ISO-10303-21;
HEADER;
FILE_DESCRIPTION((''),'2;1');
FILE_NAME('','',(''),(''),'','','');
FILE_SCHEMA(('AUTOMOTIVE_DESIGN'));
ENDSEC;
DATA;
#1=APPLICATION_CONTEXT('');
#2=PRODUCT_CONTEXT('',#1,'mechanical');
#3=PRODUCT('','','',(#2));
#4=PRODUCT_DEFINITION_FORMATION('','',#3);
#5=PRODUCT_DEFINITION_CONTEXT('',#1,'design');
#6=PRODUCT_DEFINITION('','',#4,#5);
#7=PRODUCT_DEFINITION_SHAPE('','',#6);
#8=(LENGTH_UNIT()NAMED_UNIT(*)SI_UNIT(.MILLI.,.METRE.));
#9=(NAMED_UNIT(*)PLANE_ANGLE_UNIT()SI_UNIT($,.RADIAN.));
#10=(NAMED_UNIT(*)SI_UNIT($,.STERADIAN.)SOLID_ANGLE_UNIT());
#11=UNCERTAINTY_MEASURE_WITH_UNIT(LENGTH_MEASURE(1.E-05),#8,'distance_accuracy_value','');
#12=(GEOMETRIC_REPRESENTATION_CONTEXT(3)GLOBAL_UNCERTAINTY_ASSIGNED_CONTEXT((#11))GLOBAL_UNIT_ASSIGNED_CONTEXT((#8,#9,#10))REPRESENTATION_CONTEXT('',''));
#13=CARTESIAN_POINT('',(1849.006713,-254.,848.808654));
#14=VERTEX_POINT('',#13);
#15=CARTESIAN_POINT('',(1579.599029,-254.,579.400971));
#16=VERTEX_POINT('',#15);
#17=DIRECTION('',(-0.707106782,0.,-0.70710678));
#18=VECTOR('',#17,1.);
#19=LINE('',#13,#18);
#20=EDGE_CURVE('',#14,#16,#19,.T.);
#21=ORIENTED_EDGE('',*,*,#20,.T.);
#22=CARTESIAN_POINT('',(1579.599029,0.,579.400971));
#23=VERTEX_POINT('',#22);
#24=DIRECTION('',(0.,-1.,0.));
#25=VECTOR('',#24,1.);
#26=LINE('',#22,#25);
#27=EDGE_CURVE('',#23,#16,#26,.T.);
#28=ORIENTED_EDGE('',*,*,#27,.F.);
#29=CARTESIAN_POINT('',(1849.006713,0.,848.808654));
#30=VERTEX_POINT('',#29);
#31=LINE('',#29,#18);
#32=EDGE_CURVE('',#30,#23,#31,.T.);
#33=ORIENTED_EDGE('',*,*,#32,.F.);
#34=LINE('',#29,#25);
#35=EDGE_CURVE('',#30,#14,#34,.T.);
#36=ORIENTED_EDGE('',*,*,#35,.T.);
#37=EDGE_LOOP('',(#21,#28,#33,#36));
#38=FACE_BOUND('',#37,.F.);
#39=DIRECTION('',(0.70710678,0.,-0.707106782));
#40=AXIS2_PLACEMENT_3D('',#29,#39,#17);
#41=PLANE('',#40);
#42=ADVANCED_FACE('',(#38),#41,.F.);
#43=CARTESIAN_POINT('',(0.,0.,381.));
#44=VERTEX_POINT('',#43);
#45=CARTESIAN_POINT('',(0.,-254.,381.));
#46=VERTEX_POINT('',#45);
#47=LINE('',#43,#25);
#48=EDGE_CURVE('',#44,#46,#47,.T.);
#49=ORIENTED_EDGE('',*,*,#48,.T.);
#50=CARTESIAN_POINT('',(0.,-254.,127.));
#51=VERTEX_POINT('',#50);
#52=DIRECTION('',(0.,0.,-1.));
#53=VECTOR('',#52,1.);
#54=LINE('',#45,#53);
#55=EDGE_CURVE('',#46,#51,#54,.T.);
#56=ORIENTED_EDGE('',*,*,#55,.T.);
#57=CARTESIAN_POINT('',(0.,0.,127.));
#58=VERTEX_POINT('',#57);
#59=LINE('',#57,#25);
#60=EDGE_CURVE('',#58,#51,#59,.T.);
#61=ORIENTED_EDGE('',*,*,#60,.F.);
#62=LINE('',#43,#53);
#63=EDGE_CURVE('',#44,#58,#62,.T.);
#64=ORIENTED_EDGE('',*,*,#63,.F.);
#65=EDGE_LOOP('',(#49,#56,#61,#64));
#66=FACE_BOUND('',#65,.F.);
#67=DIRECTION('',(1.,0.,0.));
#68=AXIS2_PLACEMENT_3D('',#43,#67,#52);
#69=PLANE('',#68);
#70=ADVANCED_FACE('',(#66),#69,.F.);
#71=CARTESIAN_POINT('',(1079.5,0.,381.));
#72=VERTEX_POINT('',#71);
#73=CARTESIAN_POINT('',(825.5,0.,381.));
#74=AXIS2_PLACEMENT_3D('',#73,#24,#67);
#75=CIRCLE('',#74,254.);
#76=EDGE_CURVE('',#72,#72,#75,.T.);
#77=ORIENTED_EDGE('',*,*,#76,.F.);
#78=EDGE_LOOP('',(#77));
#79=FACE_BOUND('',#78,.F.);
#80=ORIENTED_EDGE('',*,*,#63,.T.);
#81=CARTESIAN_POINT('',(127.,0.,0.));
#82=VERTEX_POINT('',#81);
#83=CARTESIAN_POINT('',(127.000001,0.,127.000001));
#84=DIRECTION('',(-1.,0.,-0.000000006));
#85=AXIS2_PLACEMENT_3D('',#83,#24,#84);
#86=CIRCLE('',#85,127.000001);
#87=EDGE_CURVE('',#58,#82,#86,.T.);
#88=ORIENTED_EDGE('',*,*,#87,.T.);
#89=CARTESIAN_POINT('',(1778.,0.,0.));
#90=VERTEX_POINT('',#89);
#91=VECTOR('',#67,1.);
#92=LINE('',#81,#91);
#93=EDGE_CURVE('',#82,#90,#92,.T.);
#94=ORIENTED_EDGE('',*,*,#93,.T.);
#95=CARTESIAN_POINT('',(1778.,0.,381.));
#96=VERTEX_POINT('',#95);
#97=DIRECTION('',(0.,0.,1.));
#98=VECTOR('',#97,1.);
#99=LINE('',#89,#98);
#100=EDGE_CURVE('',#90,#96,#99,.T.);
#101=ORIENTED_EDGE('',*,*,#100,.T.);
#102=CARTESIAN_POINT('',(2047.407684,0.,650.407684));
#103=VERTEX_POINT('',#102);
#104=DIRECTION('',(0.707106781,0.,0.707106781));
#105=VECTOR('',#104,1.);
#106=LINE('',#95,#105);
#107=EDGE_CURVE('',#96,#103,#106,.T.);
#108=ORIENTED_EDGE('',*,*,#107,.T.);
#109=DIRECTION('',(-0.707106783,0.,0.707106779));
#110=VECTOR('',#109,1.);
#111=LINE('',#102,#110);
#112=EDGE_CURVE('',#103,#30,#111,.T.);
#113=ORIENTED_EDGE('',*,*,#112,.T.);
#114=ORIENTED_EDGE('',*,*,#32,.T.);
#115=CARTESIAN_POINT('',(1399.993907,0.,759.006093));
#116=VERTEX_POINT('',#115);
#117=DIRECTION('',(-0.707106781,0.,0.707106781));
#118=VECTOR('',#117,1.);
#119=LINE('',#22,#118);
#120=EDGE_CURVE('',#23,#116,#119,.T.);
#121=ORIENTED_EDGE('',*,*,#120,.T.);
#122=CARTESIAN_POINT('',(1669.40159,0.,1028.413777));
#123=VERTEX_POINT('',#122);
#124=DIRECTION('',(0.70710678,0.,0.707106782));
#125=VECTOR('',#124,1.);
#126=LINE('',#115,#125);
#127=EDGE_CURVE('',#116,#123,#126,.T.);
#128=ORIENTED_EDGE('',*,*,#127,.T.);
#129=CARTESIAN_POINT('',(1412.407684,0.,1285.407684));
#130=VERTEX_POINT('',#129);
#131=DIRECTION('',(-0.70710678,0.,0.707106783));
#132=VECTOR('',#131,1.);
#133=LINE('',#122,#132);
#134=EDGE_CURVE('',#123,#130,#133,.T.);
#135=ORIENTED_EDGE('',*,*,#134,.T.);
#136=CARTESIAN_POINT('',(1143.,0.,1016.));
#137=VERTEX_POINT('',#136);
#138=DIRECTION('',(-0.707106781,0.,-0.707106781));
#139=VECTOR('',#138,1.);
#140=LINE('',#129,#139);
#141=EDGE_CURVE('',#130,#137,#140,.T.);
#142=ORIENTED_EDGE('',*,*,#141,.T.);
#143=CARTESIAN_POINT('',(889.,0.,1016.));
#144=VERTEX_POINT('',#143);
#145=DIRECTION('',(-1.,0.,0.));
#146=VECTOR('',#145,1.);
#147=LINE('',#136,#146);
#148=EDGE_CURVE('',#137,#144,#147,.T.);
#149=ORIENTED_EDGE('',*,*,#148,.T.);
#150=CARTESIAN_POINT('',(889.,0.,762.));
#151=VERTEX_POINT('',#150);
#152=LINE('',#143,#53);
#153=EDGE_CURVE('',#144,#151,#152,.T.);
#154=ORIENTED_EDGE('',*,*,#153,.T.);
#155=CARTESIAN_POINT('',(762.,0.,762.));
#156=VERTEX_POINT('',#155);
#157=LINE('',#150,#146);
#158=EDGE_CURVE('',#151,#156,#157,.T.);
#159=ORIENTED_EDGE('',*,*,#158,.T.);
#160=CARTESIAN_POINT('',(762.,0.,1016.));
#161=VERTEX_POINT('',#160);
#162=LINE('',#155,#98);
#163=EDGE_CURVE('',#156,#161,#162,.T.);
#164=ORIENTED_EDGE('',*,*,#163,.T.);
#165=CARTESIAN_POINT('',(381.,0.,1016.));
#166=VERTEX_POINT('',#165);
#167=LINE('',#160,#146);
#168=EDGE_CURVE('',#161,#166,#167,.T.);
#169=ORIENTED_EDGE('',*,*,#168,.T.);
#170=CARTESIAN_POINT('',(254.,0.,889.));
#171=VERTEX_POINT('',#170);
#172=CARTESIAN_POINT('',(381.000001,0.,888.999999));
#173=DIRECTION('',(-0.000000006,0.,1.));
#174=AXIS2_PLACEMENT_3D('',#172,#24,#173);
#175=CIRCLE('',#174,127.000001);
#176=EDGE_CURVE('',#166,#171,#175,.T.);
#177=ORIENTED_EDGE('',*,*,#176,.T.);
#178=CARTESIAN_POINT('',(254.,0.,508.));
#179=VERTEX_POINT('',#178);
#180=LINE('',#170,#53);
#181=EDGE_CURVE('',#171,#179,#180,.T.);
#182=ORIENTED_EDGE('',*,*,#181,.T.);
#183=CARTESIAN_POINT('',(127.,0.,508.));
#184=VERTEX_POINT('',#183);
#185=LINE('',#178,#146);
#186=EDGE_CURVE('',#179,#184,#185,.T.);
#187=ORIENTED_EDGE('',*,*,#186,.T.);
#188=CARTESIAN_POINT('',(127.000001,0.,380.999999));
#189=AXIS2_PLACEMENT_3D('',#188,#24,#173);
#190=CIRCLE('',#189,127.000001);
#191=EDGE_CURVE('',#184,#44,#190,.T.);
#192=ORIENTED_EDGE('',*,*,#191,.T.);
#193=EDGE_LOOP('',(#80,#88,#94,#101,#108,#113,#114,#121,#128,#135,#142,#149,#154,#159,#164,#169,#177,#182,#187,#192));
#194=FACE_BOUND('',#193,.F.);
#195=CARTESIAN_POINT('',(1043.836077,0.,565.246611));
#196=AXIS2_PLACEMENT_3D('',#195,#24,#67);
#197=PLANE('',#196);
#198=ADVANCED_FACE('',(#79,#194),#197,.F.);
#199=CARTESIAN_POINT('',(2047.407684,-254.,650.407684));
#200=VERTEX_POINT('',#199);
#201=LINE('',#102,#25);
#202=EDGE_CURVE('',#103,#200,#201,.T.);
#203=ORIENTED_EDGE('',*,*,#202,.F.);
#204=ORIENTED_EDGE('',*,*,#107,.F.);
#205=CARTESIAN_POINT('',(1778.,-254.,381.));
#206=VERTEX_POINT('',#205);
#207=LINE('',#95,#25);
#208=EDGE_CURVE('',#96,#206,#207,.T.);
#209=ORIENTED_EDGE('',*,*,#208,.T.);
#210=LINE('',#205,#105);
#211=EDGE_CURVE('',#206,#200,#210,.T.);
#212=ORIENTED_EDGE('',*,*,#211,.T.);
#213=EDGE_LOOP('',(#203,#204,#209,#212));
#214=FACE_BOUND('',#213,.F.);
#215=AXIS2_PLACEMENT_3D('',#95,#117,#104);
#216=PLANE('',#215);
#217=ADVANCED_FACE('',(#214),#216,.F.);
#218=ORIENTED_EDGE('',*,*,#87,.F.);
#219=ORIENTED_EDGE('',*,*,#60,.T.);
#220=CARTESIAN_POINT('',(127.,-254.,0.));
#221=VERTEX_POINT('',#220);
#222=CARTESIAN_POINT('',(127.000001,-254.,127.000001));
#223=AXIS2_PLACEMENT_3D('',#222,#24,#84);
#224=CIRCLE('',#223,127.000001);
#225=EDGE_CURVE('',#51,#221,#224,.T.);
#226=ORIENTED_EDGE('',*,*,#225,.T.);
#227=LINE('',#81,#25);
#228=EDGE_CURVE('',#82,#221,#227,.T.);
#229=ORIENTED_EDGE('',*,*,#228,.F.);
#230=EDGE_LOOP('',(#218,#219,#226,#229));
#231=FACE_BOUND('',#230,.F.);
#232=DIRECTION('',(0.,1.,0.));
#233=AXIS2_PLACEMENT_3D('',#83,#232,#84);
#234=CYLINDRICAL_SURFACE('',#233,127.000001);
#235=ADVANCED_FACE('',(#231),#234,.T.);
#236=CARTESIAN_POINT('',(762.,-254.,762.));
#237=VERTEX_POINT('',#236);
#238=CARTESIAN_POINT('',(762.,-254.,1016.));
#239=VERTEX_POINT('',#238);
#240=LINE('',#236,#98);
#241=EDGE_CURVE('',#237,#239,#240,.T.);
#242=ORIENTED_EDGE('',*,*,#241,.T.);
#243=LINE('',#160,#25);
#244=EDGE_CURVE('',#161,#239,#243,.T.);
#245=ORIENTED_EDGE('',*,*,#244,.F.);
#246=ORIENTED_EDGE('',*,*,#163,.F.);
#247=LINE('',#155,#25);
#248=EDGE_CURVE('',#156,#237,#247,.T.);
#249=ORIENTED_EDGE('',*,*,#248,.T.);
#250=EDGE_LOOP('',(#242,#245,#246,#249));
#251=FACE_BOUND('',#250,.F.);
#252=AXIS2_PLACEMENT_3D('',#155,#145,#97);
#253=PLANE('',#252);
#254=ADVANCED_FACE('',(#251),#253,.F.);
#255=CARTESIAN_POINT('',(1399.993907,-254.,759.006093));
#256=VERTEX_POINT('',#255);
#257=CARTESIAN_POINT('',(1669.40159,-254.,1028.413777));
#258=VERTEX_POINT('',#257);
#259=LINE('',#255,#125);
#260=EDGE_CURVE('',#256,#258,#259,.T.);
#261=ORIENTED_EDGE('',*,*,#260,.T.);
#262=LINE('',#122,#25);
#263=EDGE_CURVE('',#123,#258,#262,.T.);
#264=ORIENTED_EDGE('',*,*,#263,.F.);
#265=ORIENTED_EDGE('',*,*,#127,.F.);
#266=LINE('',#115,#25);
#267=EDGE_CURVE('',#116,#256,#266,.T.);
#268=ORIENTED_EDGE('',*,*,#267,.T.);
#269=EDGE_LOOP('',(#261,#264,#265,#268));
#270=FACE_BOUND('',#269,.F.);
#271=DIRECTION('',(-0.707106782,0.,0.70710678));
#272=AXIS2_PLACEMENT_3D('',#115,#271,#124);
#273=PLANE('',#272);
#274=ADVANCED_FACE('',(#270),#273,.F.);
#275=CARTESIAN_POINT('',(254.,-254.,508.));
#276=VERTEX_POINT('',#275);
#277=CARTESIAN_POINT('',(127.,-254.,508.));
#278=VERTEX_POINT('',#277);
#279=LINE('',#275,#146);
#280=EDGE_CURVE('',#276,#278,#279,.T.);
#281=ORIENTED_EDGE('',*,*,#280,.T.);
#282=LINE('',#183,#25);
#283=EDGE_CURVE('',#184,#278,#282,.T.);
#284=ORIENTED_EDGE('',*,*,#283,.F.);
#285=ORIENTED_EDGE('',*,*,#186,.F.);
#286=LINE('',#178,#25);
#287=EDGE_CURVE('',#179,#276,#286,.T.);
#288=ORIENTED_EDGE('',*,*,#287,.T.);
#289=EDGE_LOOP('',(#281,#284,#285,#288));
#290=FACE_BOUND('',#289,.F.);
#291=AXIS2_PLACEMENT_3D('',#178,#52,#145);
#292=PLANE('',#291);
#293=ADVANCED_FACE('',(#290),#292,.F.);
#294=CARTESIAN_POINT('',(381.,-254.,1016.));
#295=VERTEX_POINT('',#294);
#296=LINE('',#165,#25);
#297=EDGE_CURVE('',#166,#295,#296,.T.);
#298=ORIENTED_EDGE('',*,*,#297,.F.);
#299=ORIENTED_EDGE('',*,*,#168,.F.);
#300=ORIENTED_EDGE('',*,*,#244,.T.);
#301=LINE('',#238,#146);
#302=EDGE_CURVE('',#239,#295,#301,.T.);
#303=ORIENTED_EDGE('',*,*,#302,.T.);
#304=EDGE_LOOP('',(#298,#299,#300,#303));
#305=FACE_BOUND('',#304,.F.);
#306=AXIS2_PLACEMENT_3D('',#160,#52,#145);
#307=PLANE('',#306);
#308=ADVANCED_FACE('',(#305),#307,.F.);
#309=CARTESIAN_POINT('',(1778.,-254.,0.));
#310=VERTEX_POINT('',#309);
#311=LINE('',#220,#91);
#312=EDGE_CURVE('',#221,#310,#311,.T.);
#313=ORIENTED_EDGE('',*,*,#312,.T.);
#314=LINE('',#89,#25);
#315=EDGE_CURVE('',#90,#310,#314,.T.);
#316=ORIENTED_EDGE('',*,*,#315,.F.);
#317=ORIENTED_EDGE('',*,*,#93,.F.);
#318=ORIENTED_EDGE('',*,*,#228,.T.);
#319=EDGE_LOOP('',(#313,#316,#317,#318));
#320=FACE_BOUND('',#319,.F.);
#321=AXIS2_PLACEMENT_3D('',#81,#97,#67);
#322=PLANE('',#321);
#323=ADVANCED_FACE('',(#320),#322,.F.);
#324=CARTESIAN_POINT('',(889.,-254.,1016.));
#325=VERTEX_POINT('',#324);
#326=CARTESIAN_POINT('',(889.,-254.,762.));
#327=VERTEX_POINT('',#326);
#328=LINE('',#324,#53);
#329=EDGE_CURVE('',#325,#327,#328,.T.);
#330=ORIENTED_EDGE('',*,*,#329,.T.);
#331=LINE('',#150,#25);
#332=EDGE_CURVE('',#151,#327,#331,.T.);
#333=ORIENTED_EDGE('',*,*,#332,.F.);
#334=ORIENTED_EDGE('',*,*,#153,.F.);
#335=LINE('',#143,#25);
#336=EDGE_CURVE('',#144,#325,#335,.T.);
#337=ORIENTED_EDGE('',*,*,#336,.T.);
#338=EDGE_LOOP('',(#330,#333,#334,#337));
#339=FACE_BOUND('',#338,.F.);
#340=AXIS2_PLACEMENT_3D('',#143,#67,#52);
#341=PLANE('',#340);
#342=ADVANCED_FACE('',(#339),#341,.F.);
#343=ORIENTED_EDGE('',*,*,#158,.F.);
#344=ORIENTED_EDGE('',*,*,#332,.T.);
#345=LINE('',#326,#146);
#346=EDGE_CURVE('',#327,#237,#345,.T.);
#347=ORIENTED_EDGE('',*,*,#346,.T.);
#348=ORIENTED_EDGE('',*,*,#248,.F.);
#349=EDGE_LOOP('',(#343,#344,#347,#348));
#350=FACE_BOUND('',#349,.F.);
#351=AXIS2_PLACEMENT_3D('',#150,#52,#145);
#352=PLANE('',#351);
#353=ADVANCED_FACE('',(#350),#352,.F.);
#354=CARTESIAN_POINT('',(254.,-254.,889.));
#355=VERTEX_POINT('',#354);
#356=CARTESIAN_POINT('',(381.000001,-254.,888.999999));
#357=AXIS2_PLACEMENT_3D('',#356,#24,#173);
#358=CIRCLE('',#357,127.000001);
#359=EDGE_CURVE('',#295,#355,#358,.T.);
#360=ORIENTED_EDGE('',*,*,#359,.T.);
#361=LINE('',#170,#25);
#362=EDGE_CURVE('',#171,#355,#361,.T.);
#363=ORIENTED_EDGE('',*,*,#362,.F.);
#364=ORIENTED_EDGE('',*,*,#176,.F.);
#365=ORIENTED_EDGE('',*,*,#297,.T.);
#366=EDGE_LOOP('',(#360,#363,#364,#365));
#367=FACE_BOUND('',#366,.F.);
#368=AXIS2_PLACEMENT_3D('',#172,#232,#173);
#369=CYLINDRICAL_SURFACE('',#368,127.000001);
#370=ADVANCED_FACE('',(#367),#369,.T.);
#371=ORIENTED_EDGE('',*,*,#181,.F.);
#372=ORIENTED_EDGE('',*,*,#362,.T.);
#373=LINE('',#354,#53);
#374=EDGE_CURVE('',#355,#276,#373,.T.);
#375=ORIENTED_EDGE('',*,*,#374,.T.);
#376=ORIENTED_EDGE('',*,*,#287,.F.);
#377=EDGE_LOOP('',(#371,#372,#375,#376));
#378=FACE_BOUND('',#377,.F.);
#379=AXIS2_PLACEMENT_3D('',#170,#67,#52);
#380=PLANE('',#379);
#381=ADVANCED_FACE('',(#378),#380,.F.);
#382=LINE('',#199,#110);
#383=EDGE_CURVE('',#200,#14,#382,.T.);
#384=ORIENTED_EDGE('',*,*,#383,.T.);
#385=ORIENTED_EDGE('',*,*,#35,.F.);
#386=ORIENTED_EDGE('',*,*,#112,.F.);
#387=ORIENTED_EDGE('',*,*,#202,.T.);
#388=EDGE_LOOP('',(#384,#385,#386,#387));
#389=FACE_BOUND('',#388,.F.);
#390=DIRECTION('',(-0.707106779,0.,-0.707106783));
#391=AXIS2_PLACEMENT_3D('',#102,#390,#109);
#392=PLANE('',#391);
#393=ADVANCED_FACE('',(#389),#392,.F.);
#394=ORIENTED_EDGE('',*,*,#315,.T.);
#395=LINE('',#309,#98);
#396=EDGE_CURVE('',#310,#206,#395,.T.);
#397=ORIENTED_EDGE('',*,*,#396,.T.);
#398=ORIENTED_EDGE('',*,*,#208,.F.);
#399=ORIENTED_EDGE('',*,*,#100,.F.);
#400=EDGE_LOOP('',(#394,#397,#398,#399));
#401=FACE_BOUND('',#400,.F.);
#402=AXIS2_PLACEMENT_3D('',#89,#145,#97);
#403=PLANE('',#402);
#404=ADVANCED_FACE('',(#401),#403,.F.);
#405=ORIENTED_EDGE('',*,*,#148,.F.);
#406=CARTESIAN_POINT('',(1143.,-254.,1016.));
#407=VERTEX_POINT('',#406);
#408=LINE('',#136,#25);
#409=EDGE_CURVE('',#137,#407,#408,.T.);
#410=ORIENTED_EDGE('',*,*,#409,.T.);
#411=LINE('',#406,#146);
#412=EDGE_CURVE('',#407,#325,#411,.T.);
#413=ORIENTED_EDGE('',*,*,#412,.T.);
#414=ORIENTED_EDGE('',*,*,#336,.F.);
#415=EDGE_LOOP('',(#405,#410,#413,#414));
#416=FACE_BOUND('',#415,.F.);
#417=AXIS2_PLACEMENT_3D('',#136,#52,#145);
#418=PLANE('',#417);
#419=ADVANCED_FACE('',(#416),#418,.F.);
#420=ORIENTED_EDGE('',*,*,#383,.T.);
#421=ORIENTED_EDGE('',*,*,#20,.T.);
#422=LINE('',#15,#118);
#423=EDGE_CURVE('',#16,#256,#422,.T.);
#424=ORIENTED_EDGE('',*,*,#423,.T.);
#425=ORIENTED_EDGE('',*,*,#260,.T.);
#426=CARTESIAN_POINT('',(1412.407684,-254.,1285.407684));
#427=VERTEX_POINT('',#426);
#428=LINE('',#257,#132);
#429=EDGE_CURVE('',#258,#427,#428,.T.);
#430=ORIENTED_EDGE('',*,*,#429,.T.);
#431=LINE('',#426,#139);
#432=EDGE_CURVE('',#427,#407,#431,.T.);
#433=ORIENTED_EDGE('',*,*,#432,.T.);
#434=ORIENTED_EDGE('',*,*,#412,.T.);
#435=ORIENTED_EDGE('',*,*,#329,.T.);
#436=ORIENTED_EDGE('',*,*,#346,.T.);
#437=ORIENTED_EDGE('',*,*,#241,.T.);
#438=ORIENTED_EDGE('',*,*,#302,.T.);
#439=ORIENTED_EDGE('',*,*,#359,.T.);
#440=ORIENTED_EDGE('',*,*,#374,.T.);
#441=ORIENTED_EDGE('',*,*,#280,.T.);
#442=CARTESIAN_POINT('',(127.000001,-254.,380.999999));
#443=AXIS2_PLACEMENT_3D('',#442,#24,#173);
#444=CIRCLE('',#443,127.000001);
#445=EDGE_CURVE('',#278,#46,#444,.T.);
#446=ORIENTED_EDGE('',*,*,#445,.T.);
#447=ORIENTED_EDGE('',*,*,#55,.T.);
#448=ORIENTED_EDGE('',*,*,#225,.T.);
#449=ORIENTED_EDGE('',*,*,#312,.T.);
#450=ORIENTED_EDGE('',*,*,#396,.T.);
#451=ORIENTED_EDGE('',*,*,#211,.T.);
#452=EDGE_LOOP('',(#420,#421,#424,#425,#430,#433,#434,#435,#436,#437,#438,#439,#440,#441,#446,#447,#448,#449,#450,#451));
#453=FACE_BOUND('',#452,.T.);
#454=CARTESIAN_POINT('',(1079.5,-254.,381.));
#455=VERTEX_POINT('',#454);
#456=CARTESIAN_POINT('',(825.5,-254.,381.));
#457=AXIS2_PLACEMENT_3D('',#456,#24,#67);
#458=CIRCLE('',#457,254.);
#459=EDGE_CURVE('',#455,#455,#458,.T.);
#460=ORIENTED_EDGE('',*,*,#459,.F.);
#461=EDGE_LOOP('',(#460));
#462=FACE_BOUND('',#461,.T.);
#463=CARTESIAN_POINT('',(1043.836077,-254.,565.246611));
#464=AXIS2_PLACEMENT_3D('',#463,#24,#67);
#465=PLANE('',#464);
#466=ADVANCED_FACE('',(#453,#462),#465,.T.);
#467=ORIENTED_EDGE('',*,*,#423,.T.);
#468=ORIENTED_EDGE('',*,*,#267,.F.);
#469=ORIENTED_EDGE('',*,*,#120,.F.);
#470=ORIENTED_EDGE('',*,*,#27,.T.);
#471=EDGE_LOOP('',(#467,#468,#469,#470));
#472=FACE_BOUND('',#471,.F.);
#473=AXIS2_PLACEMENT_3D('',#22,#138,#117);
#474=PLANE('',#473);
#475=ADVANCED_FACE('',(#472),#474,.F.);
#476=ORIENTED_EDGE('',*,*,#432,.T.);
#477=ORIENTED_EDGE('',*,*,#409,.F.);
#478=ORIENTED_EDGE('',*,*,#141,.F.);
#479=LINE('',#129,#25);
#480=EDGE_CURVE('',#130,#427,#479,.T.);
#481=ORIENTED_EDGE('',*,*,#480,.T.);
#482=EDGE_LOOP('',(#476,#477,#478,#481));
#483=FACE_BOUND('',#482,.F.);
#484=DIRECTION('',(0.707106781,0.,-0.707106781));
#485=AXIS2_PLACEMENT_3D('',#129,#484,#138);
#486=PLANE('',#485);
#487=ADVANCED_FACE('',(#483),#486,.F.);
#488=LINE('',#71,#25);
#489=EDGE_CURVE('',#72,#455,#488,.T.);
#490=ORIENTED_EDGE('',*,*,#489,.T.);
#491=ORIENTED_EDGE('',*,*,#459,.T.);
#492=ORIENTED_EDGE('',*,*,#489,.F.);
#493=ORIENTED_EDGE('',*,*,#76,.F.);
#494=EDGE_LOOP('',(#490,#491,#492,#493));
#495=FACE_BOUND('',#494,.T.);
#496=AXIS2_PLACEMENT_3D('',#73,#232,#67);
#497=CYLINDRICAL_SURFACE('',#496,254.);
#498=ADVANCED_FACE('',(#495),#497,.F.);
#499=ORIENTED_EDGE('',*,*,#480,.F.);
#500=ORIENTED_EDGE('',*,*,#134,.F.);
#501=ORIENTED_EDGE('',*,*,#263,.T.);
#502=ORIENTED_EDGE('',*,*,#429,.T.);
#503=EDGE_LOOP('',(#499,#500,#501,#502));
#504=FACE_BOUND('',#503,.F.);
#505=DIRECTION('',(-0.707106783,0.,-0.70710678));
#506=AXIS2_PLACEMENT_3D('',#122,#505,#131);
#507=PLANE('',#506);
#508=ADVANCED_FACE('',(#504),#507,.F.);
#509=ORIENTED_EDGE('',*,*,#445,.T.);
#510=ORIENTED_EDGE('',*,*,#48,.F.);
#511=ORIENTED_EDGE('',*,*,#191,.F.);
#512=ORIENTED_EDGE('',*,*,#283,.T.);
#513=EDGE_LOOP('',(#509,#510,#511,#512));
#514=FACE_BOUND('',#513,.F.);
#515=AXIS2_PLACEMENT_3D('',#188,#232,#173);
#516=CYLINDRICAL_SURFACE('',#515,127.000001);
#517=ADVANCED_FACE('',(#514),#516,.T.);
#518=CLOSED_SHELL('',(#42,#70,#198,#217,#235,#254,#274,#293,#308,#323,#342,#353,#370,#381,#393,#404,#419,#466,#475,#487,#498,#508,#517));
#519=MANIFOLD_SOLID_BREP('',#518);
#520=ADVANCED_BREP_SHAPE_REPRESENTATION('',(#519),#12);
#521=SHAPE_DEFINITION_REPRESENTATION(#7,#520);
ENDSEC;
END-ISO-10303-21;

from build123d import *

# Parameters (mm, degrees)
F0_R     = 254
F1_DEPTH = 254


with BuildPart() as f1:
    # F0 (on Front) → F1 (new body)
    with BuildSketch(Plane.XZ):
        with BuildLine():
            ThreePointArc((0, 127), (37.197439, 37.197439), (127, 0))
            Line((127, 0), (1778, 0))
            Line((1778, 0), (1778, 381))
            Line((1778, 381), (2047.407684, 650.407684))
            Line((2047.407684, 650.407684), (1849.006713, 848.808654))
            Line((1849.006713, 848.808654), (1579.599029, 579.400971))
            Line((1579.599029, 579.400971), (1399.993907, 759.006093))
            Line((1399.993907, 759.006093), (1669.40159, 1028.413777))
            Line((1669.40159, 1028.413777), (1412.407684, 1285.407684))
            Line((1412.407684, 1285.407684), (1143, 1016))
            Line((1143, 1016), (889, 1016))
            Line((889, 1016), (889, 762))
            Line((889, 762), (762, 762))
            Line((762, 762), (762, 1016))
            Line((762, 1016), (381, 1016))
            ThreePointArc((381, 1016), (291.197439, 978.802561), (254, 889))
            Line((254, 889), (254, 508))
            Line((254, 508), (127, 508))
            ThreePointArc((127, 508), (37.197439, 470.802561), (0, 381))
            Line((0, 381), (0, 127))
        make_face()
        with Locations((825.5, 381)):
            Circle(F0_R, mode=Mode.SUBTRACT)
    extrude(amount=F1_DEPTH)


solid = f1.part
